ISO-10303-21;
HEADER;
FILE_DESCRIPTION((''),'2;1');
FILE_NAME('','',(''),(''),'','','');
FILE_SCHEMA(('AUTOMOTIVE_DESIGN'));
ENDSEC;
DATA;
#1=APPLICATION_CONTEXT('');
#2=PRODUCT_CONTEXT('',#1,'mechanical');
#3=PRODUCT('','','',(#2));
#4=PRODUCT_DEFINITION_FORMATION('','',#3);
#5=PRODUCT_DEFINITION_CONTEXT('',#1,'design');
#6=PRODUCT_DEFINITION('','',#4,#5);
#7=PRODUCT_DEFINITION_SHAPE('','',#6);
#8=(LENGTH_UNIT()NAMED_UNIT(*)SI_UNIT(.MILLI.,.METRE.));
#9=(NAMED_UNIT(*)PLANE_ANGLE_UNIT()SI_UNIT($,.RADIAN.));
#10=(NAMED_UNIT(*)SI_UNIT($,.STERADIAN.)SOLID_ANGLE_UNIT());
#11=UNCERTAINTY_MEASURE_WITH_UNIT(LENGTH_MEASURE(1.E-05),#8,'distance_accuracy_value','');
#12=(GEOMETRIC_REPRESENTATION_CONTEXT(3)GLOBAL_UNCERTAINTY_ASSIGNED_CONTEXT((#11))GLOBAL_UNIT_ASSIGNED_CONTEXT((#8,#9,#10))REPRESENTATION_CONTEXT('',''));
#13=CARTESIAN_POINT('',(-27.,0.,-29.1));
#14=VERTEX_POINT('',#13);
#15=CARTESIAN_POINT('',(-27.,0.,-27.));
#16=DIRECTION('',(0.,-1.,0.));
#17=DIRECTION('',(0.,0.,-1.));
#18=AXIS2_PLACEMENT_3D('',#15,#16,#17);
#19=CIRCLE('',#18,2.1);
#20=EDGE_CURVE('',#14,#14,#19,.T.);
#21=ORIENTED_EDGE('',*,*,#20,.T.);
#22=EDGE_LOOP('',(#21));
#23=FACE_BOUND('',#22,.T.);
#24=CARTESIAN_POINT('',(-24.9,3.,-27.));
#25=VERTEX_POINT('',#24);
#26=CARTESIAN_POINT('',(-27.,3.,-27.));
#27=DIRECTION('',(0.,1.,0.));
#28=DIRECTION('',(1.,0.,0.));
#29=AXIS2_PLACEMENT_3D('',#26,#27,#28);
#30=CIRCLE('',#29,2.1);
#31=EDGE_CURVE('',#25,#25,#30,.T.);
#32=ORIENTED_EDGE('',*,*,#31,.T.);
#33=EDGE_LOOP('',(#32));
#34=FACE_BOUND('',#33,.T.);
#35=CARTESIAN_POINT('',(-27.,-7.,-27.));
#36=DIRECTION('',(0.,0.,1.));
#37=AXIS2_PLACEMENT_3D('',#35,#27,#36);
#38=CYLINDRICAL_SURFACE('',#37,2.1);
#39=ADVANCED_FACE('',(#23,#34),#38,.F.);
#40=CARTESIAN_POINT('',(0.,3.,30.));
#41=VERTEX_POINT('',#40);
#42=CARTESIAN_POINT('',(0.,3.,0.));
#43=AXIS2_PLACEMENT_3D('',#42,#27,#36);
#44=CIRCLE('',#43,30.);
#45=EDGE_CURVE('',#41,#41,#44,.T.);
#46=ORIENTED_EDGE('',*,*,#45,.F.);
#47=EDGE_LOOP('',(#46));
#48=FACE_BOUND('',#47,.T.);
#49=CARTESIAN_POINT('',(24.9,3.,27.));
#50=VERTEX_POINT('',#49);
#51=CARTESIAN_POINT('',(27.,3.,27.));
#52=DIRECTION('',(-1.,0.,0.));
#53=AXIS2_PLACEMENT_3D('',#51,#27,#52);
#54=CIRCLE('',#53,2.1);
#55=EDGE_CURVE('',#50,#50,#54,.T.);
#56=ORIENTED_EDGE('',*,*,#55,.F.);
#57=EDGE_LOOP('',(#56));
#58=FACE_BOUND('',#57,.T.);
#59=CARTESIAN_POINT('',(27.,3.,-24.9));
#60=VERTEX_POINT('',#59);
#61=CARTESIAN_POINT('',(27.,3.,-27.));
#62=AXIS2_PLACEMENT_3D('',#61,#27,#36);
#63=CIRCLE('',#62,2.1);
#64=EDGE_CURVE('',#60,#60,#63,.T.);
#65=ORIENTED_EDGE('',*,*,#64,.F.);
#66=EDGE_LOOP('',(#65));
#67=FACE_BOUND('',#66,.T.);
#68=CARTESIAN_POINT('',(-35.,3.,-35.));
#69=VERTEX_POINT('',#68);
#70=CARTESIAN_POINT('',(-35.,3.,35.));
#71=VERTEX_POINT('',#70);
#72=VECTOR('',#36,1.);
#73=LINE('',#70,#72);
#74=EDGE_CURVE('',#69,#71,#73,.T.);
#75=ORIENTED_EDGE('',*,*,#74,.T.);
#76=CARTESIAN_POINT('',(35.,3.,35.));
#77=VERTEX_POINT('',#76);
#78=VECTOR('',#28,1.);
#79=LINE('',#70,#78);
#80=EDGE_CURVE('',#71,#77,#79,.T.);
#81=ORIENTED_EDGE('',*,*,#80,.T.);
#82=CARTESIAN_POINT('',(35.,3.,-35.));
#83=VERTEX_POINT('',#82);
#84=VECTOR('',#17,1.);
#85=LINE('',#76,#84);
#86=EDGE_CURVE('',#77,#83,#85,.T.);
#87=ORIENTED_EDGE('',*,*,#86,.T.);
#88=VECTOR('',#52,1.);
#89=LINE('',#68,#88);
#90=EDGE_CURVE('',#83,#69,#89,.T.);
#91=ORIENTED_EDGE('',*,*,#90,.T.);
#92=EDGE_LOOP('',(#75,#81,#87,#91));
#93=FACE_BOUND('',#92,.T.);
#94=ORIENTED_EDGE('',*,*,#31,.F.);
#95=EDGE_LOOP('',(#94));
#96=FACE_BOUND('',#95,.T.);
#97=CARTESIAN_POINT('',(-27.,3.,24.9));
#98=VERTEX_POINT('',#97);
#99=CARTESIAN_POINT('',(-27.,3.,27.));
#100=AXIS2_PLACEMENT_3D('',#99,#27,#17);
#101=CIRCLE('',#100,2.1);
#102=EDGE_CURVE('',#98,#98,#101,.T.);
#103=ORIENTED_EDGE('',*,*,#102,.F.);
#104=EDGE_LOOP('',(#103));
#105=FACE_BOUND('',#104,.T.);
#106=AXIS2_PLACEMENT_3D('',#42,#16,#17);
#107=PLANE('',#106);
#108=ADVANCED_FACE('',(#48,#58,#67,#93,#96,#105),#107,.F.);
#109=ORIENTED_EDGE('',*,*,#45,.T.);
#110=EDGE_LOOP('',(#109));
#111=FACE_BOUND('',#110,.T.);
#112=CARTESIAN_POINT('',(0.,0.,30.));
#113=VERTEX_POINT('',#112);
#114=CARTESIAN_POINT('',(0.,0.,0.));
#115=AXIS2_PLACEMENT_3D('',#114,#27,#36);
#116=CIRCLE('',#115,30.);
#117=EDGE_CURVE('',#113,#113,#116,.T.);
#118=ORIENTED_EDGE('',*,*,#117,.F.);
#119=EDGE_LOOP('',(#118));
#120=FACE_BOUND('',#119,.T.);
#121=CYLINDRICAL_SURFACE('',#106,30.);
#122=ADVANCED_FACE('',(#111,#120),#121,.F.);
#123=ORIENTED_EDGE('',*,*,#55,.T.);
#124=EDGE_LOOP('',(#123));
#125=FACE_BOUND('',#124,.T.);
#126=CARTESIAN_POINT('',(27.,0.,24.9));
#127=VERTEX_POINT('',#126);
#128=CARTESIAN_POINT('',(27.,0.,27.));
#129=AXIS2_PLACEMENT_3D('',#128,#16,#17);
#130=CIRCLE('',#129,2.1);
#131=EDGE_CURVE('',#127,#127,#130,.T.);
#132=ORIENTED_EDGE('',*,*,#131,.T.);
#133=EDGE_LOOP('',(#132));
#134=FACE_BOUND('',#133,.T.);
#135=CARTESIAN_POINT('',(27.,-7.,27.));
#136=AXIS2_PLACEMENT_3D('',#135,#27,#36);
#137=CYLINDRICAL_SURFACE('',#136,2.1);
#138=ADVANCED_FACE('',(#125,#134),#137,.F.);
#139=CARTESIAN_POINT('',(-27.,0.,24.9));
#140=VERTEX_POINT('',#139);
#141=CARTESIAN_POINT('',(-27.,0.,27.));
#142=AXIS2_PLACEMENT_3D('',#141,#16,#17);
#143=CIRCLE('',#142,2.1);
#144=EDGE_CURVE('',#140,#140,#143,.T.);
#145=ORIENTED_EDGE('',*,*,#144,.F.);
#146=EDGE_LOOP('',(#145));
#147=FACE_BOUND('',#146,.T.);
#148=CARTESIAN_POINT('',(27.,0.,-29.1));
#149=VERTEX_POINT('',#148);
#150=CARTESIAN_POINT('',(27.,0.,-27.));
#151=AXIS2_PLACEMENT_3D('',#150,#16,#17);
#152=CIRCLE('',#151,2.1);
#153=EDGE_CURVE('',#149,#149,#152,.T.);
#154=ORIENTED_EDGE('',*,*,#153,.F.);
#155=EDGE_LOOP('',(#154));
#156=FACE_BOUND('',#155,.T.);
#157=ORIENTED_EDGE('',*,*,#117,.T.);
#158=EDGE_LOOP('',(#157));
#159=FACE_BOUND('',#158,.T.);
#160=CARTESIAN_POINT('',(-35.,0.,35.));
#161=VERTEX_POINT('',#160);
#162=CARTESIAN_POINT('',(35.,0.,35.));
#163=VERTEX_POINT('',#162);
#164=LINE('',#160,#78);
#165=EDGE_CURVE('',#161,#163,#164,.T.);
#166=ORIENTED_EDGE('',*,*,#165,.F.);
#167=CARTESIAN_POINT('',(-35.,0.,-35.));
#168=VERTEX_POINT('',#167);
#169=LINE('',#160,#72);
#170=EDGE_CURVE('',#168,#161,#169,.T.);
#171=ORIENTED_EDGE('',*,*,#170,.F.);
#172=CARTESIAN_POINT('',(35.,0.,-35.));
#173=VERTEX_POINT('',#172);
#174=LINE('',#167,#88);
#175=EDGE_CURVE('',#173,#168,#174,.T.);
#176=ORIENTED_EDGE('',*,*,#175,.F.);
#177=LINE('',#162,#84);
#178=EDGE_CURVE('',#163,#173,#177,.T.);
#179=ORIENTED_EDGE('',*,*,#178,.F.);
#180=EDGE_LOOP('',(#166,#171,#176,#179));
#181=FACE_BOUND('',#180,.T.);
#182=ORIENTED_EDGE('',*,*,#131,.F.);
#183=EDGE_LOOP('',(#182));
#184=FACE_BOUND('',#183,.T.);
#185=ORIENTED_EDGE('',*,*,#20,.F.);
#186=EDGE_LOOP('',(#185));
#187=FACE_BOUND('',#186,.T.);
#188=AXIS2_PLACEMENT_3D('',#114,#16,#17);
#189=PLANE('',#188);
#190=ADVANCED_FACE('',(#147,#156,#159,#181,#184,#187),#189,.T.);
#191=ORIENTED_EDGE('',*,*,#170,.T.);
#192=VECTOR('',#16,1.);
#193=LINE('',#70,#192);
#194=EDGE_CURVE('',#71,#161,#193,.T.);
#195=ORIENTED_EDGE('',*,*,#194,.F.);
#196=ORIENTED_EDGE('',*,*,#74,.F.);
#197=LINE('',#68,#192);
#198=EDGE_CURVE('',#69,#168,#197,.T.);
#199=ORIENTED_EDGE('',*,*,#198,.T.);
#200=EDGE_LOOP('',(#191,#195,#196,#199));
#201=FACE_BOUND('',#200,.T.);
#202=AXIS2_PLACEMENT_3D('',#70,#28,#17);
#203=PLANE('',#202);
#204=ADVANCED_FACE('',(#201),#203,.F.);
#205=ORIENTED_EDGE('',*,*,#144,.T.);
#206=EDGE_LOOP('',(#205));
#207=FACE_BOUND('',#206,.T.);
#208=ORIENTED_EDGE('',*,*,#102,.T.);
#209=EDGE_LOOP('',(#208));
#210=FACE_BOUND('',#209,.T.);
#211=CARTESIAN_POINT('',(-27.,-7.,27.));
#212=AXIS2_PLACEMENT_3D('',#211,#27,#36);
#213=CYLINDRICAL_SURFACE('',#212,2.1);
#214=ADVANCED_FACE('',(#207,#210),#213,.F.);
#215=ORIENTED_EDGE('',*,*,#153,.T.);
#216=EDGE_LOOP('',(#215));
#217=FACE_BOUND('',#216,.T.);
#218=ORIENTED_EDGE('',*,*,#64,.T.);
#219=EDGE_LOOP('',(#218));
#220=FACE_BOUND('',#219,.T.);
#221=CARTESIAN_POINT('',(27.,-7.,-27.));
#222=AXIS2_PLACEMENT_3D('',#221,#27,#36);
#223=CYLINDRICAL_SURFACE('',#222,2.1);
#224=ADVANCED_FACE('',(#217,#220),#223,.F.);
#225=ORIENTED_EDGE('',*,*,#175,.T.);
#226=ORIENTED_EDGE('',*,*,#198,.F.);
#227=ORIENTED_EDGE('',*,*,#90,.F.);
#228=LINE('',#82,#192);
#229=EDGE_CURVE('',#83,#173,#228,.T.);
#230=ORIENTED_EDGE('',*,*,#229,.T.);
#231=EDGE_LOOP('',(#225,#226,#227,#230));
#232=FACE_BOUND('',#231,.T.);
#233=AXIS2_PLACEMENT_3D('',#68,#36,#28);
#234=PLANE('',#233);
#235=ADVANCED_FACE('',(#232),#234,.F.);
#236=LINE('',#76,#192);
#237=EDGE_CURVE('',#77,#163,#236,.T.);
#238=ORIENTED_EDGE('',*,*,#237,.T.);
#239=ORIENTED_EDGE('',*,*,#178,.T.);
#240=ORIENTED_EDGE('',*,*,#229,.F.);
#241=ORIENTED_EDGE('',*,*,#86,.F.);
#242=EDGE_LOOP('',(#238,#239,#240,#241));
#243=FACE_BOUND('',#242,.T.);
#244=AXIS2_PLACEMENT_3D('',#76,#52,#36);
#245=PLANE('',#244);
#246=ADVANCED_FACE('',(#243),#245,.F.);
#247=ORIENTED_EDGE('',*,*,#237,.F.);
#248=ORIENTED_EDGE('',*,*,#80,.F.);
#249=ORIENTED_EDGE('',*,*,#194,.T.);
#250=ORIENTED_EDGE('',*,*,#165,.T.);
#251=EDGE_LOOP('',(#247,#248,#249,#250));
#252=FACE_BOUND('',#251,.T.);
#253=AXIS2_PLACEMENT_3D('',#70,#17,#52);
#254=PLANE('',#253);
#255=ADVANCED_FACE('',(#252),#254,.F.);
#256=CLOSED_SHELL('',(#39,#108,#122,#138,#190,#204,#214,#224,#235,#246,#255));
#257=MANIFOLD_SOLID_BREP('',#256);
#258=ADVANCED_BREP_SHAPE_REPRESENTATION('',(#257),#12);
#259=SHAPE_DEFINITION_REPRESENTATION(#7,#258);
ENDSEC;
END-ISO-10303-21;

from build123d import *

# Parameters (mm, degrees)
SKETCH_1_W               = 70
SKETCH_1_H               = 70
SKETCH_1_R               = 30
EXTRUDE_1_DEPTH          = 3
SKETCH_2_R               = 2.1
CUT_EXTRUDE_1_DEPTH      = 10
PATTERN_CIRCULAR_1_COUNT = 4


with BuildPart() as part:
    # 草图1 → 凸台-拉伸1 (new body)
    with BuildSketch(Plane(origin=(0, 0, 0), x_dir=(1, 0, 0), z_dir=(0, 1, 0))):
        Rectangle(SKETCH_1_W, SKETCH_1_H)
        Circle(SKETCH_1_R, mode=Mode.SUBTRACT)
    extrude(amount=EXTRUDE_1_DEPTH)

    # 草图2 → 切除-拉伸1 (cut)
    with BuildSketch(Plane(origin=(0, 3, 0), x_dir=(1, 0, 0), z_dir=(0, 1, 0))):
        with Locations((27, 27)):
            Circle(SKETCH_2_R)
    cut_extrude_1 = extrude(amount=-CUT_EXTRUDE_1_DEPTH, mode=Mode.SUBTRACT)

    # 阵列(圆周)1: 切除-拉伸1 ×4 about axis
    pattern_circular_1_axis = Axis((0, 0, 0), (0, 1, 0))
    for i in range(1, PATTERN_CIRCULAR_1_COUNT):
        add(cut_extrude_1.rotate(pattern_circular_1_axis, i * 360 / PATTERN_CIRCULAR_1_COUNT), mode=Mode.SUBTRACT)


solid = part.part
